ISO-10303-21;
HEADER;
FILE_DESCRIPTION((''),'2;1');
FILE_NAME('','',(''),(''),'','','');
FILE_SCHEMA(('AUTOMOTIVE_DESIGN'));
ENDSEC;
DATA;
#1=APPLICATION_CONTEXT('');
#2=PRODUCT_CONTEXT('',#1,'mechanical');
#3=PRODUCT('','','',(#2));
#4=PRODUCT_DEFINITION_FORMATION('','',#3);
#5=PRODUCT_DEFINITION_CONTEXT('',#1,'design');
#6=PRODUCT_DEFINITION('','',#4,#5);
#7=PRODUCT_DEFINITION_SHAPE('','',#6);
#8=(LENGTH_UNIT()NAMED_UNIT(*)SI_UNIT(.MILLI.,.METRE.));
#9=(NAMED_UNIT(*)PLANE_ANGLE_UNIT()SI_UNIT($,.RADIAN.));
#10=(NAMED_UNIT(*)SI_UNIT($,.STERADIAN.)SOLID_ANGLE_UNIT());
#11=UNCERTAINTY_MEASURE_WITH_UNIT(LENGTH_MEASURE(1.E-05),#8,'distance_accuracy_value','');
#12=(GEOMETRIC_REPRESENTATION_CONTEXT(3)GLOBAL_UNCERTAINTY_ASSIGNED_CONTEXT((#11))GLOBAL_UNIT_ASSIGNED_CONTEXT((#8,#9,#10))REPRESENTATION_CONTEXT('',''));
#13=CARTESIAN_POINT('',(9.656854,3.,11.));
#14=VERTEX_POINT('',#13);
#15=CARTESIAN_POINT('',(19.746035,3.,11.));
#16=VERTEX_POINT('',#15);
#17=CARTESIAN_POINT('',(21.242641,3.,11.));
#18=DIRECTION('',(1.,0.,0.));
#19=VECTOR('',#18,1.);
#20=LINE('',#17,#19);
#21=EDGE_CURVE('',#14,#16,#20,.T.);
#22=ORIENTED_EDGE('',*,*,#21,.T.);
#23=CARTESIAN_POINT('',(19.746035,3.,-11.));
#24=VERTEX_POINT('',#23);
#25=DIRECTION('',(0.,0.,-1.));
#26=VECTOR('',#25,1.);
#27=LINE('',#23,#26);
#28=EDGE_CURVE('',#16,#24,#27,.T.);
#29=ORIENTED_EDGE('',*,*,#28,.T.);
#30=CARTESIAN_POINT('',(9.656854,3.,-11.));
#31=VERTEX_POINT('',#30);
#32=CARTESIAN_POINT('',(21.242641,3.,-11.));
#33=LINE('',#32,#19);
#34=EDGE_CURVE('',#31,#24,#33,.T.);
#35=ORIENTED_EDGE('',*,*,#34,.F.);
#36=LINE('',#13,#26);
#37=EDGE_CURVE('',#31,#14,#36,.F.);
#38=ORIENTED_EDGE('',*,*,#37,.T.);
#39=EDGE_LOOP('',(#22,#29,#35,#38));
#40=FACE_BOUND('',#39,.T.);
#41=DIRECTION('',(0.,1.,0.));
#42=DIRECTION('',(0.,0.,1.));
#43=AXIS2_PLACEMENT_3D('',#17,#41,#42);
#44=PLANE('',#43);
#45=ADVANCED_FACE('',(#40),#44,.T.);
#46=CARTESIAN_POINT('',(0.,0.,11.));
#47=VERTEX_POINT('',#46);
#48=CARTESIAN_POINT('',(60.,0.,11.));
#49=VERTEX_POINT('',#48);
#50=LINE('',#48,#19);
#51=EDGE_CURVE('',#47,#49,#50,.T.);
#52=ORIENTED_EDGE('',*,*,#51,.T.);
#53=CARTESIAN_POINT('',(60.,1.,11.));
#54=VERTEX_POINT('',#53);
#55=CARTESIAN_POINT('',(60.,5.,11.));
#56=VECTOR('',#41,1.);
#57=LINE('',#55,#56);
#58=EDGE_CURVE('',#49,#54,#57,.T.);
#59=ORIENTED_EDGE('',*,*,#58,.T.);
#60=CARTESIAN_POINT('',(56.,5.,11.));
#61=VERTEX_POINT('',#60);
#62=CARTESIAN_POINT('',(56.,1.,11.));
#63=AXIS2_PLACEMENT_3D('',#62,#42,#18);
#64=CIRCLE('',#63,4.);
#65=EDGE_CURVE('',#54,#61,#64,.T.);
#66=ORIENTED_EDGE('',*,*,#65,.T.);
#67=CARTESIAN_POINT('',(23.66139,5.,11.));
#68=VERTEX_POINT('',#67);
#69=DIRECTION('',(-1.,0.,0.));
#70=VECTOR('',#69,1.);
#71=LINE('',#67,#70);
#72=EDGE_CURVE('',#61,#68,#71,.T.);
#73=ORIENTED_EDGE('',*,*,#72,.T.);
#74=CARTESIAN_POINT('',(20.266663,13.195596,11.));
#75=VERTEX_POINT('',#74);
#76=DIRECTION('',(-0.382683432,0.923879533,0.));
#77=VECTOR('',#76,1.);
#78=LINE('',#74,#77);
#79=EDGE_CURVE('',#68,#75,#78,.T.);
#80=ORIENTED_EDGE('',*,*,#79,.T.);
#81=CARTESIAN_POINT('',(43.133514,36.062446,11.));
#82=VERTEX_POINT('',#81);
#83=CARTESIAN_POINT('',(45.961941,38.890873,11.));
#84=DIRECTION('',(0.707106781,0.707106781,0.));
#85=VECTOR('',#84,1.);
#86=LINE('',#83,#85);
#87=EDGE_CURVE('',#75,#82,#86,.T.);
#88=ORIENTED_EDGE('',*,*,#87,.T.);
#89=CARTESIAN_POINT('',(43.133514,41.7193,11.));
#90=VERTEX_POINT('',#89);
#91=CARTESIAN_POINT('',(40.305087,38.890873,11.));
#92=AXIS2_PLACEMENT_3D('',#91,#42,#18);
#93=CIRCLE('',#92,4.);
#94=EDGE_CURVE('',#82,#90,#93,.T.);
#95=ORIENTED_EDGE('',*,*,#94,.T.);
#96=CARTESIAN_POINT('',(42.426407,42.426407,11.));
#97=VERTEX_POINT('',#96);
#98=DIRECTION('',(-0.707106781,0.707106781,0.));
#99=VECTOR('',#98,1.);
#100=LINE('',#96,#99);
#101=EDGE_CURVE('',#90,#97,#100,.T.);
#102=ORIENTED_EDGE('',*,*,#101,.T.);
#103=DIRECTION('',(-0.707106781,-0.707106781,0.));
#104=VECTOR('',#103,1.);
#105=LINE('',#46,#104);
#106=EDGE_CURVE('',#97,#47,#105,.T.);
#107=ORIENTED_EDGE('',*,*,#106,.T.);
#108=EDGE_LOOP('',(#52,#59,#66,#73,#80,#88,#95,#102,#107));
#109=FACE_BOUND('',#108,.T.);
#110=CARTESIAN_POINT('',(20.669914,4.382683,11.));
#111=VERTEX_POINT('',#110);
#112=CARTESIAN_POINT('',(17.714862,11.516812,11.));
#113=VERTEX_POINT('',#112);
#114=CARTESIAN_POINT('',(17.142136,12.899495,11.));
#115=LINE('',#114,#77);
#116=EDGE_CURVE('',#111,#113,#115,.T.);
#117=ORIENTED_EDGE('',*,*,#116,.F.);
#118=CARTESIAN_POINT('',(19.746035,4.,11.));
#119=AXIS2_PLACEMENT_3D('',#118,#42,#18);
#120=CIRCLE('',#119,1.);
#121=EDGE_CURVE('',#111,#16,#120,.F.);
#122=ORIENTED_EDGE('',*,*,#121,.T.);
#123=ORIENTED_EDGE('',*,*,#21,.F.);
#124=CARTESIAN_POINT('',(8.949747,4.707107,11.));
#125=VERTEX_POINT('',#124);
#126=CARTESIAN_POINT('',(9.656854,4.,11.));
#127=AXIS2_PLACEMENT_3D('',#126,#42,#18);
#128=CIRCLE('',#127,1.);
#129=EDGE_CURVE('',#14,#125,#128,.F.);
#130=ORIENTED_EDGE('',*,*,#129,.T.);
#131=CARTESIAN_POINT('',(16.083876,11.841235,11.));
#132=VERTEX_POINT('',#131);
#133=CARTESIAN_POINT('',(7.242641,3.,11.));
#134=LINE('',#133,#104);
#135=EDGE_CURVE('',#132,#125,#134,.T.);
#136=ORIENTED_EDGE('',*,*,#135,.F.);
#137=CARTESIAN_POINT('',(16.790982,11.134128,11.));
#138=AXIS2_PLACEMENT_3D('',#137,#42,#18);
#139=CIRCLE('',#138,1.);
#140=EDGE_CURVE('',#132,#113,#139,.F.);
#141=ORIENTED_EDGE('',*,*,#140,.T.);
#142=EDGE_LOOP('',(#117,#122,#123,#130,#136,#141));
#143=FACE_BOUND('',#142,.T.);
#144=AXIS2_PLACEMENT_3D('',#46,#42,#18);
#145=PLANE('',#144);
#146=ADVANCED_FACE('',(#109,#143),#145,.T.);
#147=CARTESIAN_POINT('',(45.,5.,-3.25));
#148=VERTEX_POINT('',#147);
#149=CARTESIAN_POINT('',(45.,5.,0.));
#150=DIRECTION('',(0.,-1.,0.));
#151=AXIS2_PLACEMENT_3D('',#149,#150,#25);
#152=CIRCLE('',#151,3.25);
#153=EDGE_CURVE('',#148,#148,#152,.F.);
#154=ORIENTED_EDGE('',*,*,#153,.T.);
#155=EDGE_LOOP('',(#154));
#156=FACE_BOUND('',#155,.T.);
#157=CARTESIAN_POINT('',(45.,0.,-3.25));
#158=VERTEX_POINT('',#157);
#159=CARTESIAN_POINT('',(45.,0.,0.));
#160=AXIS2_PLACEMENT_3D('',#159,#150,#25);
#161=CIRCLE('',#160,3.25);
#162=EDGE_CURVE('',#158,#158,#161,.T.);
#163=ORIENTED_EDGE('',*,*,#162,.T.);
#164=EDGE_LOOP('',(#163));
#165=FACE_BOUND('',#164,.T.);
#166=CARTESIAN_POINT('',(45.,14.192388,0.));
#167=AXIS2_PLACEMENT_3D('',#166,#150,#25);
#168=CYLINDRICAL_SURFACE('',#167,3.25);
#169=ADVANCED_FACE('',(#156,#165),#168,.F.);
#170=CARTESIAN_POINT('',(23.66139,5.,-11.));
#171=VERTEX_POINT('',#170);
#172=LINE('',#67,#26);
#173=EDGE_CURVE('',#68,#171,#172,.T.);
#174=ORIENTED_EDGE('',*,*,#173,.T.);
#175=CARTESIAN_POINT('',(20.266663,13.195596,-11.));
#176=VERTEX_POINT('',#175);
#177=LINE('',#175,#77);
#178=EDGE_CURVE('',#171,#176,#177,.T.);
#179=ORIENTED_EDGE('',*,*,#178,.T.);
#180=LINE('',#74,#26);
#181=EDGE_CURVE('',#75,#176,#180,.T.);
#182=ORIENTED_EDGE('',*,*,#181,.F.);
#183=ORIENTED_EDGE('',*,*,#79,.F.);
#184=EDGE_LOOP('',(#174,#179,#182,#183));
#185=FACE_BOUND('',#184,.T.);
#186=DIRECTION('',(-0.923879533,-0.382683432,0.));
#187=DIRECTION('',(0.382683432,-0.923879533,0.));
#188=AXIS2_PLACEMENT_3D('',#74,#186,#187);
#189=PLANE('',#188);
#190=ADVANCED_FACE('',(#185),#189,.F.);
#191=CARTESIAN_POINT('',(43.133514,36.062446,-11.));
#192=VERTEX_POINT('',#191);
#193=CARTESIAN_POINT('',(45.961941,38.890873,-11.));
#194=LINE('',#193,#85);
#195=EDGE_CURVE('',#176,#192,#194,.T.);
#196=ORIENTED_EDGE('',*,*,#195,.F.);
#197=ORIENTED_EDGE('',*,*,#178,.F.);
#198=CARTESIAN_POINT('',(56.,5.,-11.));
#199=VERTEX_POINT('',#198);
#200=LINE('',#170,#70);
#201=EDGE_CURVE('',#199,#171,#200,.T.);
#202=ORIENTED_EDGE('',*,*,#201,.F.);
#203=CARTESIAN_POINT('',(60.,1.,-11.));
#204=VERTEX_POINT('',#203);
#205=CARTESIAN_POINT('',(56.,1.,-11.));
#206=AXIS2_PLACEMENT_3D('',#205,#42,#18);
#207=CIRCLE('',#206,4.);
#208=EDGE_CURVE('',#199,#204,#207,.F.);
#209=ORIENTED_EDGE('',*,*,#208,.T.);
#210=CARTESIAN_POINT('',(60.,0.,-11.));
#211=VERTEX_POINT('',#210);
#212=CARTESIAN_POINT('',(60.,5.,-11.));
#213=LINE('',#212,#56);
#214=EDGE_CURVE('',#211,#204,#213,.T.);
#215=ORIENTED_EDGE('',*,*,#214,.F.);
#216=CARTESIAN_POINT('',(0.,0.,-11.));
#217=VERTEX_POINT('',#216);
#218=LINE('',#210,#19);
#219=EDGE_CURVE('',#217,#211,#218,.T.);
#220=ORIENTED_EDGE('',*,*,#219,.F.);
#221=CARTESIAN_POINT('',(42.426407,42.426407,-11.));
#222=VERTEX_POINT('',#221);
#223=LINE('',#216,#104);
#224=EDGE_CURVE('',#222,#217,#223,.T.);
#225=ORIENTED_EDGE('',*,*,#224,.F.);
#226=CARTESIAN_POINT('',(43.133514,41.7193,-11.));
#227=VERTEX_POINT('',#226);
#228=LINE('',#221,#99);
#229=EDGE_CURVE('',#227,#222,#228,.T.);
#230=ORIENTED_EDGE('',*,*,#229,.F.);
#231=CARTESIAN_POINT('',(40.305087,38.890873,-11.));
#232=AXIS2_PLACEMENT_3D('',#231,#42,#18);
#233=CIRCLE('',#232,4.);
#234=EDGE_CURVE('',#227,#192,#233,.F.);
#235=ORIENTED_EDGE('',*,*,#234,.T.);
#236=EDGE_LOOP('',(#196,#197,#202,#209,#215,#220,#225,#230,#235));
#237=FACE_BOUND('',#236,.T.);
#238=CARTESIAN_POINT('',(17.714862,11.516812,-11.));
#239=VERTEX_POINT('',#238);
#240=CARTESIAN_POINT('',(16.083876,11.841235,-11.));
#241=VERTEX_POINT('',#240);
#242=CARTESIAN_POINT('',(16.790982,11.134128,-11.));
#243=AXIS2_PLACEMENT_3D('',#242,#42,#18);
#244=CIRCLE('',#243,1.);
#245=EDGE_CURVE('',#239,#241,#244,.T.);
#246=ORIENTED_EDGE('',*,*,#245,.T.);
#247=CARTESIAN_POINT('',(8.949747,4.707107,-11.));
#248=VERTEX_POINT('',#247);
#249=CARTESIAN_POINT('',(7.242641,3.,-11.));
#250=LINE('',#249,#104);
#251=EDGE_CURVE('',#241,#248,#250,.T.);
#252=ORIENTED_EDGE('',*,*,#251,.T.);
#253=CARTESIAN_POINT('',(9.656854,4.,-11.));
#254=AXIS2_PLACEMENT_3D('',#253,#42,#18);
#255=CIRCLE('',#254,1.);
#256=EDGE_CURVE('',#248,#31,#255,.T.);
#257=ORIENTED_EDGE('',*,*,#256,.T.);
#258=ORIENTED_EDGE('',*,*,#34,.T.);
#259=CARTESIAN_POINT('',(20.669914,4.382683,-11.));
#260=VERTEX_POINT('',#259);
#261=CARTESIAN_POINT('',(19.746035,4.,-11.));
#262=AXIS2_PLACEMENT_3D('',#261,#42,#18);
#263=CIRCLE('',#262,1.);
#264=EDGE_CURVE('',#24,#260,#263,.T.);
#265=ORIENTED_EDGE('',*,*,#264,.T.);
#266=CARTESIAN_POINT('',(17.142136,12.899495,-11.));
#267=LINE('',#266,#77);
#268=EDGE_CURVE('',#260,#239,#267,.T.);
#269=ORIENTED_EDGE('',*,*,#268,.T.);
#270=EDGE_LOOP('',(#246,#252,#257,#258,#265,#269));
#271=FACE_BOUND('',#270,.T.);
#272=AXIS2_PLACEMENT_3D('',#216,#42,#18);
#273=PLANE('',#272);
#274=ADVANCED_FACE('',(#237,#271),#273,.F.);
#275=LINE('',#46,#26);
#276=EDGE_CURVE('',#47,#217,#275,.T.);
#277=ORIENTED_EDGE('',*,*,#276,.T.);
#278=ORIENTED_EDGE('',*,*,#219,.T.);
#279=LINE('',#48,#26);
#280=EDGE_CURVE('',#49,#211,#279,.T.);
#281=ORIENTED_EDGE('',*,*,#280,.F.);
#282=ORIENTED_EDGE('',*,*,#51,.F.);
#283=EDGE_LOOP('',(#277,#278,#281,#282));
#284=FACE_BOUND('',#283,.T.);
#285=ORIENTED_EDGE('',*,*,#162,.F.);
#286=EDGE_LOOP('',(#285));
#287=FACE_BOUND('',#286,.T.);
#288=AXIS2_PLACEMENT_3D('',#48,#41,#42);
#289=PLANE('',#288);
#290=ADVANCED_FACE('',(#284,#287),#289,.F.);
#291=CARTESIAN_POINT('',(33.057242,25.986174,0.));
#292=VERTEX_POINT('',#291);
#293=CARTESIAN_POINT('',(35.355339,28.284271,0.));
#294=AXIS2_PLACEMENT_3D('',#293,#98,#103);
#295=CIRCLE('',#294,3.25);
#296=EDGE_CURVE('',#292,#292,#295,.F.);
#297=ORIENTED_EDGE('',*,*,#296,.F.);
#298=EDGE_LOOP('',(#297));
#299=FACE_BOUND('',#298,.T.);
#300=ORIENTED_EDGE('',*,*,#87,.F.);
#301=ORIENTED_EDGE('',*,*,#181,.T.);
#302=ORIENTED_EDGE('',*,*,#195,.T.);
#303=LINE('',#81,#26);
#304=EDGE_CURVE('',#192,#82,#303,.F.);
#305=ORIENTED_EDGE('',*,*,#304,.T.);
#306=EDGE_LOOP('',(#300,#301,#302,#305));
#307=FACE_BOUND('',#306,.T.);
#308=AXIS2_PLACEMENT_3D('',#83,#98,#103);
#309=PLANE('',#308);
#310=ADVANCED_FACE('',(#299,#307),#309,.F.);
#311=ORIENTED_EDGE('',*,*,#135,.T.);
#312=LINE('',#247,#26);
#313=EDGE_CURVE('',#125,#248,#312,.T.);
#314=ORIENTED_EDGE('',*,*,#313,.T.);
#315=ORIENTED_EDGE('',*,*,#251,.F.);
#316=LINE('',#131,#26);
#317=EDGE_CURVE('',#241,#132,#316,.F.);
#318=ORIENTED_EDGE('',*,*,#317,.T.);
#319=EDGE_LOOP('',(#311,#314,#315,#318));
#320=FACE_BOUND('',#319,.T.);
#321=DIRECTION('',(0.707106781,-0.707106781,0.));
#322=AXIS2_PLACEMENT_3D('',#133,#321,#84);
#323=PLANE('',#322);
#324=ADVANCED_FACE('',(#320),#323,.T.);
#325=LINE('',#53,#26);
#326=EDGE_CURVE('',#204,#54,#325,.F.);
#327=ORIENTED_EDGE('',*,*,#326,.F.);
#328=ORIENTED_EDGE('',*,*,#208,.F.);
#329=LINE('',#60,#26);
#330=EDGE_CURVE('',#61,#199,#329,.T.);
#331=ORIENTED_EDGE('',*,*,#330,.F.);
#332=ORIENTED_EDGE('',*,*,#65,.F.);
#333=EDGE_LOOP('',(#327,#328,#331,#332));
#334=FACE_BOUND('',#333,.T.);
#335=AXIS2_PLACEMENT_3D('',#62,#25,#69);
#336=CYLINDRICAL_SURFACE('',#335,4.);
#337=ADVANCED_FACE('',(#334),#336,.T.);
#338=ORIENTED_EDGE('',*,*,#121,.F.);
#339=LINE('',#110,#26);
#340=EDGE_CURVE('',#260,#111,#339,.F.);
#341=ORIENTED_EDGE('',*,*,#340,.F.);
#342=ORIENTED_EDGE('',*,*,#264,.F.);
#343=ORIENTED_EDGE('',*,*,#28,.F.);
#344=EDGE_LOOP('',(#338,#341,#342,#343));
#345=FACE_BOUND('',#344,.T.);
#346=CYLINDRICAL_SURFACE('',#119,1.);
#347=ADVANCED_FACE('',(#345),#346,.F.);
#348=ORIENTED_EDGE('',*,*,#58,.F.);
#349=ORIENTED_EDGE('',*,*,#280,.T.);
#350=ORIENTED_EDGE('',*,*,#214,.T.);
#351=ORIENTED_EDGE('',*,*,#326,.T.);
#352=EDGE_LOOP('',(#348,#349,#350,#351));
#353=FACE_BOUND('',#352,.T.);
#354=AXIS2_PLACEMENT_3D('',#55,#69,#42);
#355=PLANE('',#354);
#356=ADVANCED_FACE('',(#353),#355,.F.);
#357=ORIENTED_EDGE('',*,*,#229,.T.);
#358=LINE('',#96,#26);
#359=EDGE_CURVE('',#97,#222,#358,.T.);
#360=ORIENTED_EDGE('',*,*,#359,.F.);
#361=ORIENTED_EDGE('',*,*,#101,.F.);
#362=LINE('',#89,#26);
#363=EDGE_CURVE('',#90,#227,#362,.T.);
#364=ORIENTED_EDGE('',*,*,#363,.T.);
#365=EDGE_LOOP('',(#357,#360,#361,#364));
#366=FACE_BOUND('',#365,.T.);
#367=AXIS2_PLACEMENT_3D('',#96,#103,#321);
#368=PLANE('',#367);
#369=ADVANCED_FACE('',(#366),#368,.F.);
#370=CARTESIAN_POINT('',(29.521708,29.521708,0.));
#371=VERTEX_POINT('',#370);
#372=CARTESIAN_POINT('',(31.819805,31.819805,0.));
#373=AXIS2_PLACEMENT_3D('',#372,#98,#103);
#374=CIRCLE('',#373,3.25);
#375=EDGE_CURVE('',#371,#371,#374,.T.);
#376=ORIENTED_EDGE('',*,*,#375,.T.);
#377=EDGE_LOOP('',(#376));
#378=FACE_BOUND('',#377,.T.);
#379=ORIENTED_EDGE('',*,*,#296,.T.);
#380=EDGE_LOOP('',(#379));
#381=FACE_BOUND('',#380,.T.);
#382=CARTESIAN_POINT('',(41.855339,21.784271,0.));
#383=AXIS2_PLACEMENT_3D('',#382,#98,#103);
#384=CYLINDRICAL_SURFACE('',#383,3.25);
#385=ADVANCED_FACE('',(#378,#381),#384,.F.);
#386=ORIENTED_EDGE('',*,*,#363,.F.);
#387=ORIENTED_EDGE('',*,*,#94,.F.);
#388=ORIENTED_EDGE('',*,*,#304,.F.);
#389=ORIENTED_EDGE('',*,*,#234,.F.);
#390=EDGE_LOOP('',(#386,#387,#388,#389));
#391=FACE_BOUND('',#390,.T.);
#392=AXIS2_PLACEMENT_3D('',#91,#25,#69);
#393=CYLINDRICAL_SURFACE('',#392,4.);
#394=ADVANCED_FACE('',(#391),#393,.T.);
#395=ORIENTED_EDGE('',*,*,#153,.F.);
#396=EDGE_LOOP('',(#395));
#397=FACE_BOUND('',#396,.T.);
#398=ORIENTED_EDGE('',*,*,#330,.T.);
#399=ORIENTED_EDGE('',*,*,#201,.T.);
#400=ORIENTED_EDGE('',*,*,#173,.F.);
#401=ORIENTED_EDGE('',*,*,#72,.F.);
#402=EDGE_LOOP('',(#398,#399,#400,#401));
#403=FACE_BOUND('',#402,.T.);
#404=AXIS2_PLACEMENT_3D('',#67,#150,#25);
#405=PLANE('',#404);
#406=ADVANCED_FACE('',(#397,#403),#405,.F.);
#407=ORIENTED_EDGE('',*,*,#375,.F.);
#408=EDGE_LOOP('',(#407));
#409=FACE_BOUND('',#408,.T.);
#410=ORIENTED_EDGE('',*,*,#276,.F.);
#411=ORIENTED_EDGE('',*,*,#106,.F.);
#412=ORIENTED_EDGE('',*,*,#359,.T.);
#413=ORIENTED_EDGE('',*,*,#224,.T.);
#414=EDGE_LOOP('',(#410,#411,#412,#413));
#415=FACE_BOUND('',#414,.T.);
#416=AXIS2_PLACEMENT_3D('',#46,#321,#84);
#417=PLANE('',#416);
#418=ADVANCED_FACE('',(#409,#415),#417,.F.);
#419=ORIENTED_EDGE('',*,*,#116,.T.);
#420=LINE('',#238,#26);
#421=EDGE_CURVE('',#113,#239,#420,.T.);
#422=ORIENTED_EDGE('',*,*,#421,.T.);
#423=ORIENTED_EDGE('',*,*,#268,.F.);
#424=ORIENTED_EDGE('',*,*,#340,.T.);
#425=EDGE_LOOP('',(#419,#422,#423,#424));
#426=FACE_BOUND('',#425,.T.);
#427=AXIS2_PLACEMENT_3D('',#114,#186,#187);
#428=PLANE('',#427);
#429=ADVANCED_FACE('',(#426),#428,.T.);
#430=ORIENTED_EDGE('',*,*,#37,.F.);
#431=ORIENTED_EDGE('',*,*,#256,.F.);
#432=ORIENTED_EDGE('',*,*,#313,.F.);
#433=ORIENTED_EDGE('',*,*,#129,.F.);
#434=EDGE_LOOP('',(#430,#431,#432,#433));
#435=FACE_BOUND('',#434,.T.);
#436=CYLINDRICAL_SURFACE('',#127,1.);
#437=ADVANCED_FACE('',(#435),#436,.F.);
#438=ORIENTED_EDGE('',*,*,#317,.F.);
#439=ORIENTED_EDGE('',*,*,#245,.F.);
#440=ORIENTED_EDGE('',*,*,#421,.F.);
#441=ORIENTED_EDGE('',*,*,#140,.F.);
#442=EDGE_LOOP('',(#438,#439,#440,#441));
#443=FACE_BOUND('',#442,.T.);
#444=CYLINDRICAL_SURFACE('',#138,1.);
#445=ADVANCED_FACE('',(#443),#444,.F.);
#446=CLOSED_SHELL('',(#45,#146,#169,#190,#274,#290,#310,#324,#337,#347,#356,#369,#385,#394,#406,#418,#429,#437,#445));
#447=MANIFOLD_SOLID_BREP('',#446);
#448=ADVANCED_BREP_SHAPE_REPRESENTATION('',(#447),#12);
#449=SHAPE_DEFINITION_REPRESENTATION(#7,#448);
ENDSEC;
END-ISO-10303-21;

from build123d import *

# Parameters (mm, degrees)
EXTRUDE_1_DEPTH     = 11
SKETCH_2_R          = 3.25
CUT_EXTRUDE_1_DEPTH = 5
SKETCH_3_R          = 3.25
CUT_EXTRUDE_2_DEPTH = 5
FILLET_1_R          = 4
FILLET_2_R          = 1


with BuildPart() as part:
    # Эскиз1 → Бобышка-Вытянуть1 (new body, symmetric)
    with BuildSketch(Plane.XY):
        Polygon((0, 0), (42.426406871, 42.426406871), (45.961940777, 38.890872965), (20.266663343, 13.195595531), (23.661390163, 5), (60, 5), (60, 0), align=None)
        Polygon((17.142135624, 12.899494937), (21.242640687, 3), (7.242640687, 3), align=None, mode=Mode.SUBTRACT)
    extrude(amount=EXTRUDE_1_DEPTH, both=True)

    # Эскиз2 → Вырез-Вытянуть1 (cut)
    with BuildSketch(Plane(origin=(0, 0, 0), x_dir=(0, 0, 1), z_dir=(-0.707106781, 0.707106781, 0))):
        with Locations(Location((0, 45, 0), (0, 0, 270))):  # turned: the seam where the file's is
            Circle(SKETCH_2_R)
    extrude(amount=-CUT_EXTRUDE_1_DEPTH, mode=Mode.SUBTRACT)

    # Эскиз3 → Вырез-Вытянуть2 (cut)
    with BuildSketch(Plane.XZ):
        with Locations(Location((45, 0, 0), (0, 0, 270))):  # turned: the seam where the file's is
            Circle(SKETCH_3_R)
    extrude(amount=-CUT_EXTRUDE_2_DEPTH, mode=Mode.SUBTRACT)

    # Скругление1
    fillet_1_edges = [part.edges().sort_by_distance(p)[0] for p in [
        (45.961940777, 38.890872965, 0),
        (60, 5, 0),
    ]]
    fillet(fillet_1_edges, radius=FILLET_1_R)

    # Скругление2
    fillet_2_edges = [part.edges().sort_by_distance(p)[0] for p in [
        (17.142135624, 12.899494937, 0),
        (7.242640687, 3, 0),
        (21.242640687, 3, 0),
    ]]
    fillet(fillet_2_edges, radius=FILLET_2_R)


solid = part.part
